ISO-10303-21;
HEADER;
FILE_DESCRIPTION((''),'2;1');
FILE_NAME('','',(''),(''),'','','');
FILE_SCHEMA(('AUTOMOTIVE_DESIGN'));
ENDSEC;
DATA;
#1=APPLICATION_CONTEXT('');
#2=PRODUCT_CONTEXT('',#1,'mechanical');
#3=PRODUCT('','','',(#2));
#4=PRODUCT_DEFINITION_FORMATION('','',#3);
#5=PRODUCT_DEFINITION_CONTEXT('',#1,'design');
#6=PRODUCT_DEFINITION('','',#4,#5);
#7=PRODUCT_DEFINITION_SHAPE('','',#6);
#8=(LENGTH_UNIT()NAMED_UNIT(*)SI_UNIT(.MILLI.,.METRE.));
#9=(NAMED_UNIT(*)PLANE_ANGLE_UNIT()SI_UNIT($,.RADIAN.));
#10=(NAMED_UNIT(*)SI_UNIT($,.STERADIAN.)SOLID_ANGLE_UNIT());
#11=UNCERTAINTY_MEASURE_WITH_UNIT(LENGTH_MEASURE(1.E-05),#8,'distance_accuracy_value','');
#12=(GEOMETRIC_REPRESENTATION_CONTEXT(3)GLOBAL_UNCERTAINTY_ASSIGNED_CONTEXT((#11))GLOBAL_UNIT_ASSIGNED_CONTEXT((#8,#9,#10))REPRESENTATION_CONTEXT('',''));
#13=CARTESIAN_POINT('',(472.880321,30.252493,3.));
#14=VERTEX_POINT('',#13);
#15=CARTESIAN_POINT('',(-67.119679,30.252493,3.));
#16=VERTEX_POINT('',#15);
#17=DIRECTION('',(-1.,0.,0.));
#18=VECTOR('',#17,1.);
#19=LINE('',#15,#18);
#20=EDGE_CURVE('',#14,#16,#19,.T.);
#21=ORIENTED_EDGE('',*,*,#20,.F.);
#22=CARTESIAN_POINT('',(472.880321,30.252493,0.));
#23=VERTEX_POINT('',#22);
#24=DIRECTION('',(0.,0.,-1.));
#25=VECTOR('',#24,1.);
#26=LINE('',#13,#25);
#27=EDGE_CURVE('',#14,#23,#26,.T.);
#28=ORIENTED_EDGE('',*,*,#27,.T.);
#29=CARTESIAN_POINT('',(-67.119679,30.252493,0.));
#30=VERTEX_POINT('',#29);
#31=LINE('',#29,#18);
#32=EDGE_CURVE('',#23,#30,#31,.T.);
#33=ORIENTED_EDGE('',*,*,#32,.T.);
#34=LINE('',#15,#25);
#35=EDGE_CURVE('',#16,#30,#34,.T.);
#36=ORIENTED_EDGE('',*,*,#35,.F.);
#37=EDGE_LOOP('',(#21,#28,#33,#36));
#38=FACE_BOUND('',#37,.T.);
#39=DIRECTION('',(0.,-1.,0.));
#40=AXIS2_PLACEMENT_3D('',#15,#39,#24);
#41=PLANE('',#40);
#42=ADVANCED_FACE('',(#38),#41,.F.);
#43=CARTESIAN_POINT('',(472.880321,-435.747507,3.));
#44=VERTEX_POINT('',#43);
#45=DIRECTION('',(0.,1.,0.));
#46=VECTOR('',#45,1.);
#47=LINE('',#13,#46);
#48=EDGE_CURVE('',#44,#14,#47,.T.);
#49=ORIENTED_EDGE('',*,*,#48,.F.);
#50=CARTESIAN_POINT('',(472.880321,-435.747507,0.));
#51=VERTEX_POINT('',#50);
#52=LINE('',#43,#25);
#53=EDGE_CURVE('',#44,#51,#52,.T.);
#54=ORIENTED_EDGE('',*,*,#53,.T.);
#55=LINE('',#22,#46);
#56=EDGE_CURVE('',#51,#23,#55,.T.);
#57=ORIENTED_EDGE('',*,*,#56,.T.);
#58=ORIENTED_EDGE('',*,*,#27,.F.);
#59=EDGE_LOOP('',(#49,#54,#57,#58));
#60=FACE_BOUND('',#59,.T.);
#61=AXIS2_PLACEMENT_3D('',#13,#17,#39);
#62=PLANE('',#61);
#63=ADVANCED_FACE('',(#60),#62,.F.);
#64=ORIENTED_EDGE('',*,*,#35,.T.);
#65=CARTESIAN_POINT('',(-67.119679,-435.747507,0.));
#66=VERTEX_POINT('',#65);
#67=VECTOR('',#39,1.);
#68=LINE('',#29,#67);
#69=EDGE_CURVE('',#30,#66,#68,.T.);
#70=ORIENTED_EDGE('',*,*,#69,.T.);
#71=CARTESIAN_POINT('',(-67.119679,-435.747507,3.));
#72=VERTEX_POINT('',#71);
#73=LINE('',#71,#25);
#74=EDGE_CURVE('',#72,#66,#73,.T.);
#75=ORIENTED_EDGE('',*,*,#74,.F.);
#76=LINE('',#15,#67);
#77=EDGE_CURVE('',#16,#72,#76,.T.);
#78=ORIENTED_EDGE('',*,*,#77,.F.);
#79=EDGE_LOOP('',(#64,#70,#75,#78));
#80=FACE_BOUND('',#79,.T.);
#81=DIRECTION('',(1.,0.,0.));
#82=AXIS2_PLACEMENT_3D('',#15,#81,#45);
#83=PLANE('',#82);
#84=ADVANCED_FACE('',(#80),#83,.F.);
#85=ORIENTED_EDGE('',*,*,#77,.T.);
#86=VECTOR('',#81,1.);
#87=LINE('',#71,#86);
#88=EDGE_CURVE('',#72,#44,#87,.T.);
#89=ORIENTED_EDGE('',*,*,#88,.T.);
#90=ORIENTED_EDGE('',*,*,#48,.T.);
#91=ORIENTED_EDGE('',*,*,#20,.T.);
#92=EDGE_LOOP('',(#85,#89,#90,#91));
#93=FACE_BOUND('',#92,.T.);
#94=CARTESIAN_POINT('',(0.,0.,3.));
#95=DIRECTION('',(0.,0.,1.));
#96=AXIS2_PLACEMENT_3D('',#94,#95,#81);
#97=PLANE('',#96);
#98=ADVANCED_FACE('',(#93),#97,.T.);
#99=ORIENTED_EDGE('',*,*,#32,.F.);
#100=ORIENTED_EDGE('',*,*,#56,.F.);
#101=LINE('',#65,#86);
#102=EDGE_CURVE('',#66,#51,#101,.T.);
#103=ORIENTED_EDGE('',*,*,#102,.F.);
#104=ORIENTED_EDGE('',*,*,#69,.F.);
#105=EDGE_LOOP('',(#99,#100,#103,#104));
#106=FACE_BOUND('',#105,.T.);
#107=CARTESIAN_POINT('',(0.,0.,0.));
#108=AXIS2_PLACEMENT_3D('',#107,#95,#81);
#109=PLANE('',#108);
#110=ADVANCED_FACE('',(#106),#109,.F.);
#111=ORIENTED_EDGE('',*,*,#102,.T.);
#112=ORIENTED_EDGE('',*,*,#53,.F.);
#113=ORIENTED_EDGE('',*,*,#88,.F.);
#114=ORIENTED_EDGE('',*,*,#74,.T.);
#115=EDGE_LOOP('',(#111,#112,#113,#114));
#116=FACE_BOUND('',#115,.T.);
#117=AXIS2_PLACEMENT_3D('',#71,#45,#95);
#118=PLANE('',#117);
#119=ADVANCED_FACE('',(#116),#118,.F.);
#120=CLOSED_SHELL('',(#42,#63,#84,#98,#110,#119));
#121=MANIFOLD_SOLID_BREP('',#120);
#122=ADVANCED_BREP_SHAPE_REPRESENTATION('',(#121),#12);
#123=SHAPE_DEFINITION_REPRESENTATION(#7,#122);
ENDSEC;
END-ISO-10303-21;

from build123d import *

# Parameters (mm, degrees)
ESQUISSE1_W        = 540
ESQUISSE1_H        = 466
BOSS_EXTRU_1_DEPTH = 3


with BuildPart() as part:
    # Esquisse1 → Boss.-Extru.1 (new body)
    with BuildSketch(Plane.XY):
        with Locations((202.880321282, -202.747507129)):
            Rectangle(ESQUISSE1_W, ESQUISSE1_H)
    extrude(amount=BOSS_EXTRU_1_DEPTH)


solid = part.part
